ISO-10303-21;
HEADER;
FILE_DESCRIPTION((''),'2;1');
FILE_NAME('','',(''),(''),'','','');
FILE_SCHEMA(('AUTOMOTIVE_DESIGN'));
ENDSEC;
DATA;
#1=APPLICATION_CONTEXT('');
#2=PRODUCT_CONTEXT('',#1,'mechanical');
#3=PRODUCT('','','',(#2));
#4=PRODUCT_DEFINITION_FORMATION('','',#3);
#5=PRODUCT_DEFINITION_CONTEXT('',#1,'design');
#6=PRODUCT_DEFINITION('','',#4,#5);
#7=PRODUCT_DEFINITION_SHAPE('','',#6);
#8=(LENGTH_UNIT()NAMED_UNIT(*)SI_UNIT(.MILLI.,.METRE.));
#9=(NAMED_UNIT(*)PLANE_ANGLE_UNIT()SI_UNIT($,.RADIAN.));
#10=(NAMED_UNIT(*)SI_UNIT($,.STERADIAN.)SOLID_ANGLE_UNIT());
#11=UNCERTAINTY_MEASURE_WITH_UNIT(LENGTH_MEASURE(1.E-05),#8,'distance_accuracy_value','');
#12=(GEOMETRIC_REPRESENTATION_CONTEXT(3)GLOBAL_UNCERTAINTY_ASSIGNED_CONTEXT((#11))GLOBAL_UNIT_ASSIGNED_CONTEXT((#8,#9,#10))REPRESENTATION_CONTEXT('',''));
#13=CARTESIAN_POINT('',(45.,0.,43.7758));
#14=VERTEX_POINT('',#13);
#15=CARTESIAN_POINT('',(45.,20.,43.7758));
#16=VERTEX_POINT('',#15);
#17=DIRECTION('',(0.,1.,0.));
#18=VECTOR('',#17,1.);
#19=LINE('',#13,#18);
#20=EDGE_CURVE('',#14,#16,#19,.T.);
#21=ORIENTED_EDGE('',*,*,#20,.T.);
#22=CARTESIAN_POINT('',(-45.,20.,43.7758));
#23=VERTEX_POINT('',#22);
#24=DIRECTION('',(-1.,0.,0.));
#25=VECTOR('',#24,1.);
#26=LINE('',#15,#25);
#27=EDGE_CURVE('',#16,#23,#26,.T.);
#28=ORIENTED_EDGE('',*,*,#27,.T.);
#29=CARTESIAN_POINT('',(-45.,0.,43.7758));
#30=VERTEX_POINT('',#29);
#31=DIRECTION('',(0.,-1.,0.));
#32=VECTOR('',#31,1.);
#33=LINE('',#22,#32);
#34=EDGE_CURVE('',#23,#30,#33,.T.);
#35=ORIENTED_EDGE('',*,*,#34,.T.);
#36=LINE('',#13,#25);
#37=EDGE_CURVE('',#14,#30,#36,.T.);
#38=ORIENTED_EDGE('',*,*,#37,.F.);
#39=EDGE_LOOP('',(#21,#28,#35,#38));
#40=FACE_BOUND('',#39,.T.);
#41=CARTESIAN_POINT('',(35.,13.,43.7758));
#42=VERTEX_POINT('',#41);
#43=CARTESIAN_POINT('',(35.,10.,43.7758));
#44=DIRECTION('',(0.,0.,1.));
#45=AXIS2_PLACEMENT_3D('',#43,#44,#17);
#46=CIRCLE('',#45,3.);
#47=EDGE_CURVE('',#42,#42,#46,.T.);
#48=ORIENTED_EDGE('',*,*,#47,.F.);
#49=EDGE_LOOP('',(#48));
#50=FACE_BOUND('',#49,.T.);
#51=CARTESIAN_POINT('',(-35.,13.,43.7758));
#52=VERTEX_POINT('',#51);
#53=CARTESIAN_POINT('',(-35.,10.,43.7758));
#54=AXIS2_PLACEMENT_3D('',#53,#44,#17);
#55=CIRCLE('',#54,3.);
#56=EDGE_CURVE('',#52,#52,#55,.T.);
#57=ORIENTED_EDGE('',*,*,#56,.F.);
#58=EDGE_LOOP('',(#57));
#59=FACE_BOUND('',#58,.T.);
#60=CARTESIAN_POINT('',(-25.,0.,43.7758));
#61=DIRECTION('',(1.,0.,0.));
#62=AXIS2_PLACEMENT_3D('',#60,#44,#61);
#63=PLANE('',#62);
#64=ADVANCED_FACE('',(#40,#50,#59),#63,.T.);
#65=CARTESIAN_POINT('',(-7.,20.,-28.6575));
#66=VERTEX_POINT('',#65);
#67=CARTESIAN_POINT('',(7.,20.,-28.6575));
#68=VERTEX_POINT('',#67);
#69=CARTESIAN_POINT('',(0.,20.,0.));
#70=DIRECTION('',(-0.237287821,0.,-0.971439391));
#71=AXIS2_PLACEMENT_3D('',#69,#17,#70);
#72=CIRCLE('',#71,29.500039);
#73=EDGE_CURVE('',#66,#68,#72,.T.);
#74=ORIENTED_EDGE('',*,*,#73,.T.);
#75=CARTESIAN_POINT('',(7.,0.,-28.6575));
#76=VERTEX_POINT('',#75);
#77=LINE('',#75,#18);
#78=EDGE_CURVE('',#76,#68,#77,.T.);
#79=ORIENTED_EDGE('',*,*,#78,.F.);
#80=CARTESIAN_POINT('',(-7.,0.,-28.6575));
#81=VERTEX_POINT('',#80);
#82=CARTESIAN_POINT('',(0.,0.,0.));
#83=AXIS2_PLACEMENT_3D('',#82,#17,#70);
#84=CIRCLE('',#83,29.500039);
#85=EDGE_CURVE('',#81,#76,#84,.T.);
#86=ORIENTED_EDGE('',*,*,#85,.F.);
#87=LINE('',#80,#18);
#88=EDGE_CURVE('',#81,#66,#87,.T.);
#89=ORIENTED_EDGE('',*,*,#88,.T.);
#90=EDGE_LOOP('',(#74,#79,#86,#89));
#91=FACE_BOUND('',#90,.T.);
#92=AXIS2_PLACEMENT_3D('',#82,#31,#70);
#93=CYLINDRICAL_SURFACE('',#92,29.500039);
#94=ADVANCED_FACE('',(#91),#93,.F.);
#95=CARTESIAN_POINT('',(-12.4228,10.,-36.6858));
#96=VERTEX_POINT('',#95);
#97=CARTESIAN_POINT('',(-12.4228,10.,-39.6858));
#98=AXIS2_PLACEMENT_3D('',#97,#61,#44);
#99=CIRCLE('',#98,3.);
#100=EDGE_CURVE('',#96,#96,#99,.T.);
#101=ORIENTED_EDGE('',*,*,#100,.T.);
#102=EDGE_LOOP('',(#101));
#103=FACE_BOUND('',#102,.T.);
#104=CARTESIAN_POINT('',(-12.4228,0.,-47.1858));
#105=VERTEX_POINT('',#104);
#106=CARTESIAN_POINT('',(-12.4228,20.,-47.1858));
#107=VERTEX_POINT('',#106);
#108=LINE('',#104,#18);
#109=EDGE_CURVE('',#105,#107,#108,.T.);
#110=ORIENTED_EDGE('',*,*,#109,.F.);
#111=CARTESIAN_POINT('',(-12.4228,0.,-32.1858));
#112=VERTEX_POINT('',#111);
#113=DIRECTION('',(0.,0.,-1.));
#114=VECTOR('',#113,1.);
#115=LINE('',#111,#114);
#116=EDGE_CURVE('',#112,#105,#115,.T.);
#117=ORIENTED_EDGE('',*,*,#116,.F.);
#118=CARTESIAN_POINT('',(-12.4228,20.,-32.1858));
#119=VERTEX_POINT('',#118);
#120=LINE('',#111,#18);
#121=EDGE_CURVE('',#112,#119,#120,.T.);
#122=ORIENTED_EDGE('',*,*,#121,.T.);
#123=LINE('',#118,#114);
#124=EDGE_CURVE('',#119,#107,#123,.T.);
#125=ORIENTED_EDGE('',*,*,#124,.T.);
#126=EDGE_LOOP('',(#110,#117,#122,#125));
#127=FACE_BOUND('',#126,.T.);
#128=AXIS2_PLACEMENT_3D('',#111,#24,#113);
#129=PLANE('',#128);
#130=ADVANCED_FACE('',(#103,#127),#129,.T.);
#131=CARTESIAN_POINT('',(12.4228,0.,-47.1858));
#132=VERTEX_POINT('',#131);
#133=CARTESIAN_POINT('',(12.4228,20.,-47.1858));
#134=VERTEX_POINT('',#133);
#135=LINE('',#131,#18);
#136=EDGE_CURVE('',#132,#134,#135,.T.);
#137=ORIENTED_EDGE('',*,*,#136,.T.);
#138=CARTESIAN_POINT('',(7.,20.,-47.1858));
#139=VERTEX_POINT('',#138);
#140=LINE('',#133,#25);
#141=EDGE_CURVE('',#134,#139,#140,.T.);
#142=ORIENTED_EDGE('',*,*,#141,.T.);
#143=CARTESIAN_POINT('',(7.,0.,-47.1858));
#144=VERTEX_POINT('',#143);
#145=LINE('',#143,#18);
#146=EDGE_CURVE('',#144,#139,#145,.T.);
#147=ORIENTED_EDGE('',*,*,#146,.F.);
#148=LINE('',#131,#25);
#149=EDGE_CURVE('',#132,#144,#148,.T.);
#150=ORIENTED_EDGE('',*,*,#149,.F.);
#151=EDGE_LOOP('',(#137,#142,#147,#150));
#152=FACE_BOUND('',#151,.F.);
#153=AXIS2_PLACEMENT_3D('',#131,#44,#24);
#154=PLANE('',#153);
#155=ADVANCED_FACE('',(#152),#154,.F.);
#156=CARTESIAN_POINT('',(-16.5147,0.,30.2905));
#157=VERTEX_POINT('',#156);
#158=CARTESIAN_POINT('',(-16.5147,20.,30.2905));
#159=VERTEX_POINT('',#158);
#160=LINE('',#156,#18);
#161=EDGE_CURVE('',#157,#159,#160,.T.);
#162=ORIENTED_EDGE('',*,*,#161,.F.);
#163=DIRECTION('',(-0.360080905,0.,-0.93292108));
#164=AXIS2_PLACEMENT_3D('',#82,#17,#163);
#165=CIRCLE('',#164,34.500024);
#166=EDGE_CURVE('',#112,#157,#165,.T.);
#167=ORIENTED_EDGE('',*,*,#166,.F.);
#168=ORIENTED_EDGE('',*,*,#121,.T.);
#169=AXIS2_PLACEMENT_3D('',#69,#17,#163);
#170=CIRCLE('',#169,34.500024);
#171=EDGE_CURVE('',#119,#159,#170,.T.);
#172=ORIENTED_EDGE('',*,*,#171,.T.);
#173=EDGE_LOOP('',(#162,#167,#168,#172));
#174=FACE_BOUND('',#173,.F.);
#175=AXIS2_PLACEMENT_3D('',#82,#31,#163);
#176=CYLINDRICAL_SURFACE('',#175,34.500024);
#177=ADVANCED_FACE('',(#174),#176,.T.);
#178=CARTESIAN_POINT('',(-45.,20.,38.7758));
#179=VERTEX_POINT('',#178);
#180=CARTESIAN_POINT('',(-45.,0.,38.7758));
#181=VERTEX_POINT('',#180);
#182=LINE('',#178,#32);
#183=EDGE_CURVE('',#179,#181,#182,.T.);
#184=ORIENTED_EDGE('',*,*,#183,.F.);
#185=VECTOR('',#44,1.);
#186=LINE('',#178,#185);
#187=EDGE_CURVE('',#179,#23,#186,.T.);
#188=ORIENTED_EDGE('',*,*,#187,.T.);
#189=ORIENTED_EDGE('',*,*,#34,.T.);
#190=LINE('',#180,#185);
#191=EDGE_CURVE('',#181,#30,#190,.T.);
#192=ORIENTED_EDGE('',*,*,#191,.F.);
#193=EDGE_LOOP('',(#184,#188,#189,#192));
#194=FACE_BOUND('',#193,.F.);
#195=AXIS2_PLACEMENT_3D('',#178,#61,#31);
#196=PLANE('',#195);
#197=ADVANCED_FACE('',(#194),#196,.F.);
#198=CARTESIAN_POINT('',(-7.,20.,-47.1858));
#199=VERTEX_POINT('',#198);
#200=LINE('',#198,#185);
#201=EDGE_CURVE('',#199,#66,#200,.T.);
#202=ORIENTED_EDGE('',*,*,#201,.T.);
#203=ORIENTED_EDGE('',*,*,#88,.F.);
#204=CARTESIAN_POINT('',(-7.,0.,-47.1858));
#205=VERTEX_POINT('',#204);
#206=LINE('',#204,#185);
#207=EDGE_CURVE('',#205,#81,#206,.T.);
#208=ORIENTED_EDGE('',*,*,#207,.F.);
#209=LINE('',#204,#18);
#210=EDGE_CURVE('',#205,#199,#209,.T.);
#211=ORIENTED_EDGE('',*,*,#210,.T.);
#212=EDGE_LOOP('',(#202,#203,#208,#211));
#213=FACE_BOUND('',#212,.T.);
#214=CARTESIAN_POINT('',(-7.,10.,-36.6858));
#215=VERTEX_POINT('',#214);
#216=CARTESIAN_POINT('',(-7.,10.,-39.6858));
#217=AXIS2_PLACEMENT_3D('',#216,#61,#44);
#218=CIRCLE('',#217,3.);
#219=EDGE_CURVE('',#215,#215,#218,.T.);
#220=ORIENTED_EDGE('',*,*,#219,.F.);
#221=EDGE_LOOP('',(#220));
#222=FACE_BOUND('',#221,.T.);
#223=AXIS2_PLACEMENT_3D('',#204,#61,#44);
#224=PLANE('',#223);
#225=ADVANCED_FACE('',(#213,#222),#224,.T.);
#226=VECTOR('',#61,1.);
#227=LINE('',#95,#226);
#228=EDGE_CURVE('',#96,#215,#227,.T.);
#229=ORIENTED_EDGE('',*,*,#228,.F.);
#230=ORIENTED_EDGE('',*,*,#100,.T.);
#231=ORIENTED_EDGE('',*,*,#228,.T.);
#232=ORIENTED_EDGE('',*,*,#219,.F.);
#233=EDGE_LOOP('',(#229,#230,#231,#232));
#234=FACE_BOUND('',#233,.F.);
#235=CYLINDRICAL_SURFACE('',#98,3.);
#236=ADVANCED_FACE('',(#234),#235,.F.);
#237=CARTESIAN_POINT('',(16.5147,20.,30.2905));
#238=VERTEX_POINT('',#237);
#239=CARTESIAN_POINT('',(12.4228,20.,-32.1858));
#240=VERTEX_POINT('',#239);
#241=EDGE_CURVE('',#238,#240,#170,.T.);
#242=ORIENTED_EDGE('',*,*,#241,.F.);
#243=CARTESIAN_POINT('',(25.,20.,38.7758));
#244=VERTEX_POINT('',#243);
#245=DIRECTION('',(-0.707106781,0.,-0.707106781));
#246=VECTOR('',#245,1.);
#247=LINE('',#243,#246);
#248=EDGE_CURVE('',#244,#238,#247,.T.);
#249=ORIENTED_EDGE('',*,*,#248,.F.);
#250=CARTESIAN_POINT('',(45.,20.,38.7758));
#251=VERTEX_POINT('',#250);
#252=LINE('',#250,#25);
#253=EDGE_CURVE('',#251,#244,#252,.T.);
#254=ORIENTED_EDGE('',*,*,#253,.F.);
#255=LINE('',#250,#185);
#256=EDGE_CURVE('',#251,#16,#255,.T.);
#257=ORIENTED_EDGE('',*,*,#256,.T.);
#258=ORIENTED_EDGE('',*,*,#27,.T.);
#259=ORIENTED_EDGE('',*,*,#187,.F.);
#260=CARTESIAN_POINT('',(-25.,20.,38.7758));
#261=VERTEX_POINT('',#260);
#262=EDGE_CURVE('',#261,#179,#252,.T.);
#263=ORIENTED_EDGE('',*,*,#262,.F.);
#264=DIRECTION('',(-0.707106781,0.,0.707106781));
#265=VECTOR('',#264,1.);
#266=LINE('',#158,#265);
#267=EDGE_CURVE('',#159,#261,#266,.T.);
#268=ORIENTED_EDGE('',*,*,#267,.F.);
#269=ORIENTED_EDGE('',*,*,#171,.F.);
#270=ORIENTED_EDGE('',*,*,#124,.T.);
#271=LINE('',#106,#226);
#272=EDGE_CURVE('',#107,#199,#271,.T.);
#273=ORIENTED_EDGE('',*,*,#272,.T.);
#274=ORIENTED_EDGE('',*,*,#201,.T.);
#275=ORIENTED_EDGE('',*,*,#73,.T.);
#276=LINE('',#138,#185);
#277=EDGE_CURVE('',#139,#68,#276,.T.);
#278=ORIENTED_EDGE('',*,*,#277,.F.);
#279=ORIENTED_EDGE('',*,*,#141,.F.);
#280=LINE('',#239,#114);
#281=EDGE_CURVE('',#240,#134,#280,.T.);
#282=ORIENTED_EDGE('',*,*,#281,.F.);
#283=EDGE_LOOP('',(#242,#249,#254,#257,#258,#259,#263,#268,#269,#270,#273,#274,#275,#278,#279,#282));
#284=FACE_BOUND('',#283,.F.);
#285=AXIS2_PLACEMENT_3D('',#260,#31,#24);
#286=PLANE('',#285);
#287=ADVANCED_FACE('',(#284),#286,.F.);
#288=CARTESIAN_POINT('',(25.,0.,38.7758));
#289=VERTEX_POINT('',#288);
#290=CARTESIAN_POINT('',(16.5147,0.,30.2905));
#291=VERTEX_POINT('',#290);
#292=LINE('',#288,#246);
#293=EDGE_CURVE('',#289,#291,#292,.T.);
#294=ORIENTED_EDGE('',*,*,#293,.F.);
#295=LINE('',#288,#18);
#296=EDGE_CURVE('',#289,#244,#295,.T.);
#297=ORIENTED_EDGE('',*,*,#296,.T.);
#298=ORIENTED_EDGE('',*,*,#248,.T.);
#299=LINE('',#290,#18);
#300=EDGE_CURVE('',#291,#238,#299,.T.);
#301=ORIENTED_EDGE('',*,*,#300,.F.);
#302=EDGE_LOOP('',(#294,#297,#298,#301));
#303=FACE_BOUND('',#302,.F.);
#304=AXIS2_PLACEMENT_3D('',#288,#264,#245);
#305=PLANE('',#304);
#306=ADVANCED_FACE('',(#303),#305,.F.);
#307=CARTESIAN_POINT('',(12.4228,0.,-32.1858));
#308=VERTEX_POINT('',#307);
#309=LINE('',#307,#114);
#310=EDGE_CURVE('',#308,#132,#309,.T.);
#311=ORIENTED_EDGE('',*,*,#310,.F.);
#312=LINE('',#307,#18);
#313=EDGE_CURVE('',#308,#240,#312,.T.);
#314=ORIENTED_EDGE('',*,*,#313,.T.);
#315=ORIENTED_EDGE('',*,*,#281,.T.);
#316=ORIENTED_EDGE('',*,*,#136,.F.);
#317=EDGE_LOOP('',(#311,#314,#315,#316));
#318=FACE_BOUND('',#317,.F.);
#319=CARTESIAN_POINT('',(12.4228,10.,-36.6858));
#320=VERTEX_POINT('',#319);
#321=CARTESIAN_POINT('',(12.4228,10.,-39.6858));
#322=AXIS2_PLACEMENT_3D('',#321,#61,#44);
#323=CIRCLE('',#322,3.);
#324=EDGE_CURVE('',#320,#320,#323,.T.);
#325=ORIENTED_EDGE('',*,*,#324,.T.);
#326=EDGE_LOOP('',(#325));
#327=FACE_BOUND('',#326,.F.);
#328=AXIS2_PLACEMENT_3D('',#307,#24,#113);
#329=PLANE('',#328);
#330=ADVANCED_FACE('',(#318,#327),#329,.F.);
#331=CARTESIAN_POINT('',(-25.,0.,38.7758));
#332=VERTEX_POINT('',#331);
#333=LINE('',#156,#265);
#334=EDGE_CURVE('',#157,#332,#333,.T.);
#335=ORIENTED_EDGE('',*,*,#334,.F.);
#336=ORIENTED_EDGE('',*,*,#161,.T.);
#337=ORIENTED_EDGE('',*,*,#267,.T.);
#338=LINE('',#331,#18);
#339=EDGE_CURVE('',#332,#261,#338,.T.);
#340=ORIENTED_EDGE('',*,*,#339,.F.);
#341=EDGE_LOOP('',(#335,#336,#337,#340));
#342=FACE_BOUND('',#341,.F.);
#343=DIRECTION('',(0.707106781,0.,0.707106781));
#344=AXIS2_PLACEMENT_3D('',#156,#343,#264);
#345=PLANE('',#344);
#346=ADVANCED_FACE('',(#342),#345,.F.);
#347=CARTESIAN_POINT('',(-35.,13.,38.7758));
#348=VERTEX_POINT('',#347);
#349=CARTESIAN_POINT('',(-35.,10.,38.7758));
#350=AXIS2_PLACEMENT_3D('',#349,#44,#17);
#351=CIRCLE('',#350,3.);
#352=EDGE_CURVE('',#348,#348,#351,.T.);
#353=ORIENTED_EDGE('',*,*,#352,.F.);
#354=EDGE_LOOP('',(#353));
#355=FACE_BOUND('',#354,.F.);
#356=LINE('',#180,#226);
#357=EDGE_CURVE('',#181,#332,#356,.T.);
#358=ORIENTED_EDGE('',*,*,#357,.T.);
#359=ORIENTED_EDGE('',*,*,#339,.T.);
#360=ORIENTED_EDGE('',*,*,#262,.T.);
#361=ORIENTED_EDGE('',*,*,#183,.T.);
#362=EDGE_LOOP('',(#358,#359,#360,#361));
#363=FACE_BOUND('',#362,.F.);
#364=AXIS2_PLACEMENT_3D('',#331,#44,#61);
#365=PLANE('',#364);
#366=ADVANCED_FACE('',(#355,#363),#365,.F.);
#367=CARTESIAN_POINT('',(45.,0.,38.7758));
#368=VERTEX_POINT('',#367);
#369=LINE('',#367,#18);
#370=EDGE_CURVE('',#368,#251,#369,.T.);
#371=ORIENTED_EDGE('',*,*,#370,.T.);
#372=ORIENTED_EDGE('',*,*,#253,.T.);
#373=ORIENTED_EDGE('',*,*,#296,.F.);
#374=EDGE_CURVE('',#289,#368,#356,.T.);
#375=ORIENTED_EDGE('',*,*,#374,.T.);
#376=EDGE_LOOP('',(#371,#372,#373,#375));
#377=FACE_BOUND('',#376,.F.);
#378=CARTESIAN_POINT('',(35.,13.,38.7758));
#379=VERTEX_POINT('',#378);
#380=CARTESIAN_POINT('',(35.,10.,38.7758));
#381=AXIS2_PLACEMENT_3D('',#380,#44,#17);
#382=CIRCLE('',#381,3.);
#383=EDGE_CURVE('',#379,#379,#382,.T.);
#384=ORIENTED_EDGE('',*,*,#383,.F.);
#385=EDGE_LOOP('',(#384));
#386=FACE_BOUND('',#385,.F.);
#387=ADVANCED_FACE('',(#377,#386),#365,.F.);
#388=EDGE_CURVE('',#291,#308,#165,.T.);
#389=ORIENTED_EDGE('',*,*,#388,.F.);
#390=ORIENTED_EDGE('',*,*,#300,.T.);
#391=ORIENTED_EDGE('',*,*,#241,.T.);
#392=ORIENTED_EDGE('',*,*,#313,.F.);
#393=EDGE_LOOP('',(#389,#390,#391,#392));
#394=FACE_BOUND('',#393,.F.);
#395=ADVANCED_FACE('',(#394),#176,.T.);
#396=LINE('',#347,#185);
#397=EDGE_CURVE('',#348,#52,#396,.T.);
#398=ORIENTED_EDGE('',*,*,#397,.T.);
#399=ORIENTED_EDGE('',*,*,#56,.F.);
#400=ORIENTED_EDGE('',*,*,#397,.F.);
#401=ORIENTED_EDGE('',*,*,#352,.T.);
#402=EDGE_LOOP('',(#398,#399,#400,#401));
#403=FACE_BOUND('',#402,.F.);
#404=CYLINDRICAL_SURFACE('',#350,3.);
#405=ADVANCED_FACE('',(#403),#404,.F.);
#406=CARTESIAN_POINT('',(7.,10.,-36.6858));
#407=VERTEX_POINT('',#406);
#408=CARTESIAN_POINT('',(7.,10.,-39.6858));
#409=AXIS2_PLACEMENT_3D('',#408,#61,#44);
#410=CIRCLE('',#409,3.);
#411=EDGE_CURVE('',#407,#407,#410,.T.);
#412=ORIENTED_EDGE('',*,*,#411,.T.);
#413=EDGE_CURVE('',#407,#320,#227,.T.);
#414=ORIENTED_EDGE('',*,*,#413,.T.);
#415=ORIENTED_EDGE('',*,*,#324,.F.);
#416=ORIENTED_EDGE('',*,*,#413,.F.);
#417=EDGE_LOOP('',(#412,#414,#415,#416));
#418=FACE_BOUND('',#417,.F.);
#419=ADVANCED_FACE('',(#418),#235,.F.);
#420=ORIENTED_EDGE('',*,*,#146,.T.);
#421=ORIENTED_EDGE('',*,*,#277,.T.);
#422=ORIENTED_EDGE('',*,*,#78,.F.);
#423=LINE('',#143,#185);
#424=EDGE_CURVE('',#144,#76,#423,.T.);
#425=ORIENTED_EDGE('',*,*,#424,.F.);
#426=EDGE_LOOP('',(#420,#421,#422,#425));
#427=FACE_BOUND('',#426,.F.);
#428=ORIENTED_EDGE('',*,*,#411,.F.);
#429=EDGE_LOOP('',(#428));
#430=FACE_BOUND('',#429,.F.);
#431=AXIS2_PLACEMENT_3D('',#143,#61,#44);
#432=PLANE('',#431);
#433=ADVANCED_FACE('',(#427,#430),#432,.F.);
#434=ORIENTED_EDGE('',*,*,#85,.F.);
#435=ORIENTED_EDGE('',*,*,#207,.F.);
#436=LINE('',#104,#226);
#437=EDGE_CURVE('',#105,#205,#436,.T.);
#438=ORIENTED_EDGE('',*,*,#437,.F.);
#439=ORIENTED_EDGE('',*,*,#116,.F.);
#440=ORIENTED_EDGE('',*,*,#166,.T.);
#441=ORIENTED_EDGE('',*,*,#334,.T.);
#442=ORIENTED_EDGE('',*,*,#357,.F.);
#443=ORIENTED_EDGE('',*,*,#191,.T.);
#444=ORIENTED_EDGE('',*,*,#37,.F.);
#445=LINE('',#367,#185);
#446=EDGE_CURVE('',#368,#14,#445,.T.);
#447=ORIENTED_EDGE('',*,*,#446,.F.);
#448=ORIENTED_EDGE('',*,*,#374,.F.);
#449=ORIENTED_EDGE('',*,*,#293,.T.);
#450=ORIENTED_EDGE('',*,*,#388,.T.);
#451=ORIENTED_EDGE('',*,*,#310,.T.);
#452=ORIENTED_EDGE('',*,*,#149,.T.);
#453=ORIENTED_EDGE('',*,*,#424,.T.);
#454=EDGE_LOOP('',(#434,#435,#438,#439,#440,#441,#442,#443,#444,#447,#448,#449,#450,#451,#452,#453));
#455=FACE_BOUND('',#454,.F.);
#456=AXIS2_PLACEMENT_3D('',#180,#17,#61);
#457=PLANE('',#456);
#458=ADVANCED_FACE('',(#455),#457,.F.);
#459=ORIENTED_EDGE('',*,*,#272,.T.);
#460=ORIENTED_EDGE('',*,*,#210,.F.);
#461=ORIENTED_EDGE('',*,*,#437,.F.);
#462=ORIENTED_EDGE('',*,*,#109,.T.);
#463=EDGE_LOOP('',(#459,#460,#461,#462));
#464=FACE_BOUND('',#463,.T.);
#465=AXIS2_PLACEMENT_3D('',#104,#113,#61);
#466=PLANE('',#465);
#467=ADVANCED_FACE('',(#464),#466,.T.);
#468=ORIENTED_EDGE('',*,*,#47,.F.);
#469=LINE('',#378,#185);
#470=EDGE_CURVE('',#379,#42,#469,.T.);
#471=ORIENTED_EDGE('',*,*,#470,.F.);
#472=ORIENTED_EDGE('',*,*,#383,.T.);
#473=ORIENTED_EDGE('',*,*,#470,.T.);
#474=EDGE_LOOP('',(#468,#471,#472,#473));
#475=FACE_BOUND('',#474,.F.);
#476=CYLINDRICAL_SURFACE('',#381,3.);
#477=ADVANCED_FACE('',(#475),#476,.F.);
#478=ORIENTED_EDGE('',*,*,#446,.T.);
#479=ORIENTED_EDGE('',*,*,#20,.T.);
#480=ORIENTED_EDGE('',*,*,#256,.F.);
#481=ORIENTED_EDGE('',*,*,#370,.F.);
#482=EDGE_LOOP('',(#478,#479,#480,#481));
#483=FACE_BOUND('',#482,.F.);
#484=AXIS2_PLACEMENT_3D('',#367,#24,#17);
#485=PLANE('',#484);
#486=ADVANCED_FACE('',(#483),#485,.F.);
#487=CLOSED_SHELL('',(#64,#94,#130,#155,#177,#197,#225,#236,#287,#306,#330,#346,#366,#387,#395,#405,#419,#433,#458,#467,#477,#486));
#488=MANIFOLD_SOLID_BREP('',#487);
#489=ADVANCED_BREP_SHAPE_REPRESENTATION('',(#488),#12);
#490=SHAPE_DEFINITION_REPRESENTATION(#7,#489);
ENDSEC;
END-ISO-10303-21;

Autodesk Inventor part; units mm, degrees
ref_plane "YZ Plane" through (0, 0, 0) normal (1, 0, 0) x (0, 1, 0)
ref_plane "XZ Plane" through (0, 0, 0) normal (0, 1, 0) x (-1, 0, 0)
ref_plane "XY Plane" through (0, 0, 0) normal (0, 0, 1) x (1, 0, 0)
sketch "Sketch1" plane through (0, 0, 0) normal (0, 1, 0) x (-1, 0, 0)
  arc A0 (7, -28.6575) -> (-7, -28.6575) centre (0, 0) ccw
  arc A1 (12.4228, -32.1858) -> (-12.4228, -32.1858) centre (0, 0) ccw
  line L0 (16.5147, 30.2905) -> (25, 38.7758)
  line L1 (16.5147, 30.2905) -> (28.5147, 30.2905) construction
  line L2 (25, 38.7758) -> (-25, 38.7758)
  line L3 (-25, 38.7758) -> (-16.5147, 30.2905)
  line L4 (12.4228, -32.1858) -> (12.4228, -47.1858)
  line L5 (12.4228, -47.1858) -> (7, -47.1858)
  line L6 (7, -47.1858) -> (7, -28.6575)
  line L7 (0, 0) -> (0, -37.5587) construction
  line L8 (-12.4228, -32.1858) -> (-12.4228, -47.1858)
  line L9 (-12.4228, -47.1858) -> (-7, -47.1858)
  line L10 (-7, -47.1858) -> (-7, -28.6575)
  dimension "d0" = 59
  dimension "d5" = 12
  dimension "d6" = 45
  dimension "d7" = 5
  dimension "d15" = 15
  dimension "d46" = 50
  dimension "d47" = 45
  dimension "d48" = 5.4228
  dimension "d49" = 14
  dimension "d50" = 12
extrude "Extrusion3" add sketch "Sketch1" along normal blind 20
sketch "Sketch3" plane through (-25, 0, 38.7758) normal (0, 0, 1) x (1, 0, 0)
  line L0 (0, 0) -> (50, 0) projected
  line L1 (0, 20) -> (50, 20) projected
  line L2 (-20, 0) -> (70, 0)
  line L3 (70, 0) -> (70, 20)
  line L4 (70, 20) -> (-20, 20)
  line L5 (-20, 20) -> (-20, 0)
  point P0 (25, 0)
  point P1 (25, 20)
  dimension "d18" = 90
  dimension "d19" = 20
extrude "Extrusion4" add sketch "Sketch3" along normal blind 5
hole "Hole3" at (-12.4228, 10, -39.6858) direction (1, 0, 0) diameter 6 end through all
hole "Hole4" at (-35, 10, 38.7758) direction (0, 0, 1) diameter 6 end through all
hole "Hole5" at (35, 10, 38.7758) direction (0, 0, 1) diameter 6 end through all
properties part number "pumpholder"
